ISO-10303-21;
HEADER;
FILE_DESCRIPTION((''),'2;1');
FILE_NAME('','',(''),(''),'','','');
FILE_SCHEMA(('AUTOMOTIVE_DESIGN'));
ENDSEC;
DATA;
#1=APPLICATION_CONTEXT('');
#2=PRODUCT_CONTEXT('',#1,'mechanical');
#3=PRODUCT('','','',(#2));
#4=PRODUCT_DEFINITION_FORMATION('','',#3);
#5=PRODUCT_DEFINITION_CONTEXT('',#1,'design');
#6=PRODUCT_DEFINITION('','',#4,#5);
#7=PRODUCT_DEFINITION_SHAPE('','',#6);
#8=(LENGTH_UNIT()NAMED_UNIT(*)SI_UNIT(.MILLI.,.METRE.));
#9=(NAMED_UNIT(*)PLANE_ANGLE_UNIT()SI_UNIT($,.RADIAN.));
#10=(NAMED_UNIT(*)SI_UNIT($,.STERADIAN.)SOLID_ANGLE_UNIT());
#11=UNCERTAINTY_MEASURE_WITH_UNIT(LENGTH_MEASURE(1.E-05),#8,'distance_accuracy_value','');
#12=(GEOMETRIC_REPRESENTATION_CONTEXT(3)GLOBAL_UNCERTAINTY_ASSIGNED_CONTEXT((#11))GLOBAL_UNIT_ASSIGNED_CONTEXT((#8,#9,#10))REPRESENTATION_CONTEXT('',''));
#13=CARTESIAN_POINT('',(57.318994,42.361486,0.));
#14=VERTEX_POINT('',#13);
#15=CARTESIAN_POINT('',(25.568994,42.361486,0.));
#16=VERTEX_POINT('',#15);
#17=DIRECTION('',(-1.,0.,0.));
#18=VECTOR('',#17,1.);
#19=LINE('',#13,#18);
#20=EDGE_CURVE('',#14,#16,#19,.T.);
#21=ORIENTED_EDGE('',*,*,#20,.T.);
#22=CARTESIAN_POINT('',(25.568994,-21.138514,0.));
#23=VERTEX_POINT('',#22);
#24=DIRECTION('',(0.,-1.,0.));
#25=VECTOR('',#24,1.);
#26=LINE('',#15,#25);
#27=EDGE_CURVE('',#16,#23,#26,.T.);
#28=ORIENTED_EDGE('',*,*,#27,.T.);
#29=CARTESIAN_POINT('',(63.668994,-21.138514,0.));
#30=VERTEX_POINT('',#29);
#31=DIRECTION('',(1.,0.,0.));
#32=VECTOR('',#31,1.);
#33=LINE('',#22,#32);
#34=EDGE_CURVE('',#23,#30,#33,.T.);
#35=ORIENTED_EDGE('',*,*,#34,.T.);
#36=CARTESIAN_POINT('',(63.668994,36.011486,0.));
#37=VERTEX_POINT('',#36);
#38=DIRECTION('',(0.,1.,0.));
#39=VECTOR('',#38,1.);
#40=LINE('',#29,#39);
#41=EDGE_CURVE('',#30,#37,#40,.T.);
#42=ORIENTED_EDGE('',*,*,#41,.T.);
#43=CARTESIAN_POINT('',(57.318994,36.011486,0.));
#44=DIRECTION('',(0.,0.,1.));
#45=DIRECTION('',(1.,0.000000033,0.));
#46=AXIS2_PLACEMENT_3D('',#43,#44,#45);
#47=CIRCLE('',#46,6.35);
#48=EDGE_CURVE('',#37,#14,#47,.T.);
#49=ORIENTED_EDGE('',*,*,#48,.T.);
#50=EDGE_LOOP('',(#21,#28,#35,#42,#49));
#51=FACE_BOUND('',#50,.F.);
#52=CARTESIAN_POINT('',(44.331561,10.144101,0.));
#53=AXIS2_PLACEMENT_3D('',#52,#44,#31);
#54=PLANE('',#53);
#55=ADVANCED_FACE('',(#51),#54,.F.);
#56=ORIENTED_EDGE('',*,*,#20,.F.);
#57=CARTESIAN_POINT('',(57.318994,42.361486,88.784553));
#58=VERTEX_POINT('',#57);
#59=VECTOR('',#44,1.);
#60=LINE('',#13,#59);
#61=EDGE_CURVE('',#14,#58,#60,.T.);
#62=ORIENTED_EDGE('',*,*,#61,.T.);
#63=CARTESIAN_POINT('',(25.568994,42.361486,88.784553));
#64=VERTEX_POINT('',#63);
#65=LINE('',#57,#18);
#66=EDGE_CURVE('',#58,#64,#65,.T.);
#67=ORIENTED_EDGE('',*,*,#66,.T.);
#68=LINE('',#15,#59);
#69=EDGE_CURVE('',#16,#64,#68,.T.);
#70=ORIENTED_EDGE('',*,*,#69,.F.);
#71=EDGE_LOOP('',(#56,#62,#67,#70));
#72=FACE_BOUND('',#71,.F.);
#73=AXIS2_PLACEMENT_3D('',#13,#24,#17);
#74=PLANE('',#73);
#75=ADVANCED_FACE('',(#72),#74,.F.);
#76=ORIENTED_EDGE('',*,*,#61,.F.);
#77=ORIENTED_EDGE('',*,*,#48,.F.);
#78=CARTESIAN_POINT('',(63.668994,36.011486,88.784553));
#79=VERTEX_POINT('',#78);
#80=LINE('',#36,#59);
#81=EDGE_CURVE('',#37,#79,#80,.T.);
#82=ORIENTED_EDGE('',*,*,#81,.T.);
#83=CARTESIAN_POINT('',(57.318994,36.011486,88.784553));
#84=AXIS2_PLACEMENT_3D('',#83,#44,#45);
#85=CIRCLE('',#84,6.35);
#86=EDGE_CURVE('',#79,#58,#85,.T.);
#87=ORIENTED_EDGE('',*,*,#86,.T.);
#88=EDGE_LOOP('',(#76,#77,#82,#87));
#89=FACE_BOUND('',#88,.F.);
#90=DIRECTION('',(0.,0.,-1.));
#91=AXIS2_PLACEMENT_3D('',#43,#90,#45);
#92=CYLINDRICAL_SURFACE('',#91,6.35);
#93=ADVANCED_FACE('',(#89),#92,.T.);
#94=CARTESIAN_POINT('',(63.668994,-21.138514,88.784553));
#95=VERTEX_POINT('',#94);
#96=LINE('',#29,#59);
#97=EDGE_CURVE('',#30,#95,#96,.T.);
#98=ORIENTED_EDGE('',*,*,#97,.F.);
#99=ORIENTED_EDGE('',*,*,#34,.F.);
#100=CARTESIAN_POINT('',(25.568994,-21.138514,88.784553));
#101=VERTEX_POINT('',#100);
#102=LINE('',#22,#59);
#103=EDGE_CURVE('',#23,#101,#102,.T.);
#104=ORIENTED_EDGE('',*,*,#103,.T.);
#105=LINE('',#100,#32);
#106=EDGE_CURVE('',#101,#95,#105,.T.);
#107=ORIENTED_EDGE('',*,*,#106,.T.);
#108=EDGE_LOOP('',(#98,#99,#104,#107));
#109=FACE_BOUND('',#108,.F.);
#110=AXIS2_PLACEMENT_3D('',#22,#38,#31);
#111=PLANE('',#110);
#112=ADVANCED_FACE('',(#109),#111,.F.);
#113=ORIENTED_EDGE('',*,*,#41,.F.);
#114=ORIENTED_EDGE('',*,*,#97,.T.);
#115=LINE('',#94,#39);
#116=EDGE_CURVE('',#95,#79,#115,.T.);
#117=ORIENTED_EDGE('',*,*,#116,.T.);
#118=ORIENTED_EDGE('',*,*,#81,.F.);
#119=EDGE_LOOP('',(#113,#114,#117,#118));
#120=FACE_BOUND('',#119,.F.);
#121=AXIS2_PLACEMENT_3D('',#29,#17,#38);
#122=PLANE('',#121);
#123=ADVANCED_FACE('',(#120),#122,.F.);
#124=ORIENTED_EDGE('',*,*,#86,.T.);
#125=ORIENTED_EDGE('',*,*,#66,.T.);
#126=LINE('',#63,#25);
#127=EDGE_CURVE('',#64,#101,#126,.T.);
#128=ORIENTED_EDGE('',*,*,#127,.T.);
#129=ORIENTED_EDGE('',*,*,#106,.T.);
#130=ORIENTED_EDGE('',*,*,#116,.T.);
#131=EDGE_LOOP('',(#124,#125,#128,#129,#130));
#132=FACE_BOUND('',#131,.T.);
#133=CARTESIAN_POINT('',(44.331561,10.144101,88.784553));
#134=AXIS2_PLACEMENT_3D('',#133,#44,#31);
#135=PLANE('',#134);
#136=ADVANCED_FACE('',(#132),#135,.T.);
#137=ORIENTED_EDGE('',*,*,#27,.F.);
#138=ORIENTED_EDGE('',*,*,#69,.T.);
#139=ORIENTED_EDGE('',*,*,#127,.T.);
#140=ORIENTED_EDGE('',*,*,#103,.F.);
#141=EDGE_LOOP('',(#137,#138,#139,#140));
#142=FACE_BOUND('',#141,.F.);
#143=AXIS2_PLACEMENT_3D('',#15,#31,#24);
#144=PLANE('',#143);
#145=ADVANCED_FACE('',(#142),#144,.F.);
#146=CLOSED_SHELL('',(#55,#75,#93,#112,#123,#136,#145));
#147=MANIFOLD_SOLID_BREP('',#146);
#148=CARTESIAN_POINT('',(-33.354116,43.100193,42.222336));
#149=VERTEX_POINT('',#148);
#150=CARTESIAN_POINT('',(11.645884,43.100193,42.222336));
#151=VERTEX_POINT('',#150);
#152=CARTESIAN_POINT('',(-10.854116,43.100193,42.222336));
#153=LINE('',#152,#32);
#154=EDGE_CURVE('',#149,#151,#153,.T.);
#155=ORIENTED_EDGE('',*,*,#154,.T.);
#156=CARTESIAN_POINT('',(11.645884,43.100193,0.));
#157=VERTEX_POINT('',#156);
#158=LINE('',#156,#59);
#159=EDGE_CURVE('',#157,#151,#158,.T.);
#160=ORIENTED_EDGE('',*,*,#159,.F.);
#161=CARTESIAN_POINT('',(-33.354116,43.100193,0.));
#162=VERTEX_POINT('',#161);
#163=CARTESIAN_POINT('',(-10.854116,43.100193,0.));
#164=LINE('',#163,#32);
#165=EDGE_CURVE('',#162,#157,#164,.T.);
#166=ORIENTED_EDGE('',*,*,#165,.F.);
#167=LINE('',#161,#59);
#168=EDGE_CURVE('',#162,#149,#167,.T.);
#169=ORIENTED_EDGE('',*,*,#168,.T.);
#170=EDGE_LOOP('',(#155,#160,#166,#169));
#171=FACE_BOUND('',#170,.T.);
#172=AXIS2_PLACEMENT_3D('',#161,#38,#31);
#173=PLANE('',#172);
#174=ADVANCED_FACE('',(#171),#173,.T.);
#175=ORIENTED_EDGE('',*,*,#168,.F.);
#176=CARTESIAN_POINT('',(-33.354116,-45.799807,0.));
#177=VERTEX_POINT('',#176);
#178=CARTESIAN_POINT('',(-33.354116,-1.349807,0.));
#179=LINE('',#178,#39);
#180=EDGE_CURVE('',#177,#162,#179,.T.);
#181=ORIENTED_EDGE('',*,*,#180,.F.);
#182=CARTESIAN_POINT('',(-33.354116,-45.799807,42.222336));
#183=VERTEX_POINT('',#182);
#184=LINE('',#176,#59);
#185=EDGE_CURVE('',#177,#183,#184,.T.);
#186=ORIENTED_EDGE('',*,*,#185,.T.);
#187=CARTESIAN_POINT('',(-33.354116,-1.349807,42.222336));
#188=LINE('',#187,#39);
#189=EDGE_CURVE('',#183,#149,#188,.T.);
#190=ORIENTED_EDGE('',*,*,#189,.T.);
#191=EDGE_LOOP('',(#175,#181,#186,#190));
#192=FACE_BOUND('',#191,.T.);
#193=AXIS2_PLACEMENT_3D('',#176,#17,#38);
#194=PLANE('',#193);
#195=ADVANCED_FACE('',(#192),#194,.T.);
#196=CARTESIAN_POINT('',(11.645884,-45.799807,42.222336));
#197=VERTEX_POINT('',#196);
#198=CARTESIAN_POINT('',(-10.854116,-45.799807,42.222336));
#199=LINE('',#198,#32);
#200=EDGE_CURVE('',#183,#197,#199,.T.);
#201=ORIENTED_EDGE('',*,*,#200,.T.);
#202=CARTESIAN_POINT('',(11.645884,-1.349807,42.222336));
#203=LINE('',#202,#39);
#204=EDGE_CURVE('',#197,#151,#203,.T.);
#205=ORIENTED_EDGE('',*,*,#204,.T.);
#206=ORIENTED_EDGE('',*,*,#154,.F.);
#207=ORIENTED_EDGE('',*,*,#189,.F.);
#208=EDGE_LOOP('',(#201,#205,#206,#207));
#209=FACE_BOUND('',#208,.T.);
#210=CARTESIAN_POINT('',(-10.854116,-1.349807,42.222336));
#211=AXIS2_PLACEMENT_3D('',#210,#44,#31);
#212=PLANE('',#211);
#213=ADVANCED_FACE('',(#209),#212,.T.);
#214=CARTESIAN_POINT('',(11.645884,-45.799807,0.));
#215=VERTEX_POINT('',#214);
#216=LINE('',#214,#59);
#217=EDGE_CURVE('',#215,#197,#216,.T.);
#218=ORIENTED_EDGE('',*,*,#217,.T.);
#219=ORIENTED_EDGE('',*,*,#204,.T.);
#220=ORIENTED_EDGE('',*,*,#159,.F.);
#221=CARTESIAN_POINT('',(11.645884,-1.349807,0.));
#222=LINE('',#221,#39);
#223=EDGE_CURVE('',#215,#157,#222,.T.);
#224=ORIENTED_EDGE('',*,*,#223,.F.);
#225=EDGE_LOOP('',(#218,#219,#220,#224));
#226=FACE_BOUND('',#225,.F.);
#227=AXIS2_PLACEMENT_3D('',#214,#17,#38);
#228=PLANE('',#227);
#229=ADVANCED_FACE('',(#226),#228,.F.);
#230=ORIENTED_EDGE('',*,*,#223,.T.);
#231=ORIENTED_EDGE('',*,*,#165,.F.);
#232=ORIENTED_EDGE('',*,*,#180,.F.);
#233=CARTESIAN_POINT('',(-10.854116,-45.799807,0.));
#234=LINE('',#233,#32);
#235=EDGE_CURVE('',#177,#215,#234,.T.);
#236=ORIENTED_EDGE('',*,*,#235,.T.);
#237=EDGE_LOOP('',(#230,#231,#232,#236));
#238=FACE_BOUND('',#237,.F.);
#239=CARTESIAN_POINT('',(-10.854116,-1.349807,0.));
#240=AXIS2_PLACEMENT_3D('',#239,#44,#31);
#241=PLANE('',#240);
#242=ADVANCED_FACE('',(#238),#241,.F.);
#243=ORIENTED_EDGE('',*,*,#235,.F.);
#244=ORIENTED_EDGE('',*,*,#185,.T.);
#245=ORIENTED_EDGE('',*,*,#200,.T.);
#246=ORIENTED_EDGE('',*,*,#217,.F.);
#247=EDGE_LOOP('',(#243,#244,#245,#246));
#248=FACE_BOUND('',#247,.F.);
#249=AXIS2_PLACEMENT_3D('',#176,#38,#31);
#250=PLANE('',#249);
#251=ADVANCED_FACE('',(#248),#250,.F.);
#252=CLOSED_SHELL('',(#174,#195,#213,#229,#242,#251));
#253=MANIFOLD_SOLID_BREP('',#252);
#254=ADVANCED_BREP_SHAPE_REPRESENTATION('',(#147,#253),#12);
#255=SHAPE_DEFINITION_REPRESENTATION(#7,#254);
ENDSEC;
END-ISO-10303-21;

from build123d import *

# Parameters (mm, degrees)
F2_DEPTH = 88.784553
F0_W     = 45
F0_H     = 88.9
F3_DEPTH = 42.222336


with BuildPart() as f2:
    # F1 (on face) → F2 (new body)
    with BuildSketch(Plane.XY):
        with BuildLine():
            Line((57.318994, 42.361486), (25.568994, 42.361486))
            Line((25.568994, 42.361486), (25.568994, -21.138514))
            Line((25.568994, -21.138514), (63.668994, -21.138514))
            Line((63.668994, -21.138514), (63.668994, 36.011486))
            ThreePointArc((63.668994, 36.011486), (61.809122, 40.501614), (57.318994, 42.361486))
        make_face()
    extrude(amount=F2_DEPTH)


with BuildPart() as f3:
    # F0 (on Top) → F3 (new body)
    with BuildSketch(Plane.XY):
        with Locations((-10.854116, -1.349807)):
            Rectangle(F0_W, F0_H)
    extrude(amount=F3_DEPTH)


solid = Compound([f2.part, f3.part])
